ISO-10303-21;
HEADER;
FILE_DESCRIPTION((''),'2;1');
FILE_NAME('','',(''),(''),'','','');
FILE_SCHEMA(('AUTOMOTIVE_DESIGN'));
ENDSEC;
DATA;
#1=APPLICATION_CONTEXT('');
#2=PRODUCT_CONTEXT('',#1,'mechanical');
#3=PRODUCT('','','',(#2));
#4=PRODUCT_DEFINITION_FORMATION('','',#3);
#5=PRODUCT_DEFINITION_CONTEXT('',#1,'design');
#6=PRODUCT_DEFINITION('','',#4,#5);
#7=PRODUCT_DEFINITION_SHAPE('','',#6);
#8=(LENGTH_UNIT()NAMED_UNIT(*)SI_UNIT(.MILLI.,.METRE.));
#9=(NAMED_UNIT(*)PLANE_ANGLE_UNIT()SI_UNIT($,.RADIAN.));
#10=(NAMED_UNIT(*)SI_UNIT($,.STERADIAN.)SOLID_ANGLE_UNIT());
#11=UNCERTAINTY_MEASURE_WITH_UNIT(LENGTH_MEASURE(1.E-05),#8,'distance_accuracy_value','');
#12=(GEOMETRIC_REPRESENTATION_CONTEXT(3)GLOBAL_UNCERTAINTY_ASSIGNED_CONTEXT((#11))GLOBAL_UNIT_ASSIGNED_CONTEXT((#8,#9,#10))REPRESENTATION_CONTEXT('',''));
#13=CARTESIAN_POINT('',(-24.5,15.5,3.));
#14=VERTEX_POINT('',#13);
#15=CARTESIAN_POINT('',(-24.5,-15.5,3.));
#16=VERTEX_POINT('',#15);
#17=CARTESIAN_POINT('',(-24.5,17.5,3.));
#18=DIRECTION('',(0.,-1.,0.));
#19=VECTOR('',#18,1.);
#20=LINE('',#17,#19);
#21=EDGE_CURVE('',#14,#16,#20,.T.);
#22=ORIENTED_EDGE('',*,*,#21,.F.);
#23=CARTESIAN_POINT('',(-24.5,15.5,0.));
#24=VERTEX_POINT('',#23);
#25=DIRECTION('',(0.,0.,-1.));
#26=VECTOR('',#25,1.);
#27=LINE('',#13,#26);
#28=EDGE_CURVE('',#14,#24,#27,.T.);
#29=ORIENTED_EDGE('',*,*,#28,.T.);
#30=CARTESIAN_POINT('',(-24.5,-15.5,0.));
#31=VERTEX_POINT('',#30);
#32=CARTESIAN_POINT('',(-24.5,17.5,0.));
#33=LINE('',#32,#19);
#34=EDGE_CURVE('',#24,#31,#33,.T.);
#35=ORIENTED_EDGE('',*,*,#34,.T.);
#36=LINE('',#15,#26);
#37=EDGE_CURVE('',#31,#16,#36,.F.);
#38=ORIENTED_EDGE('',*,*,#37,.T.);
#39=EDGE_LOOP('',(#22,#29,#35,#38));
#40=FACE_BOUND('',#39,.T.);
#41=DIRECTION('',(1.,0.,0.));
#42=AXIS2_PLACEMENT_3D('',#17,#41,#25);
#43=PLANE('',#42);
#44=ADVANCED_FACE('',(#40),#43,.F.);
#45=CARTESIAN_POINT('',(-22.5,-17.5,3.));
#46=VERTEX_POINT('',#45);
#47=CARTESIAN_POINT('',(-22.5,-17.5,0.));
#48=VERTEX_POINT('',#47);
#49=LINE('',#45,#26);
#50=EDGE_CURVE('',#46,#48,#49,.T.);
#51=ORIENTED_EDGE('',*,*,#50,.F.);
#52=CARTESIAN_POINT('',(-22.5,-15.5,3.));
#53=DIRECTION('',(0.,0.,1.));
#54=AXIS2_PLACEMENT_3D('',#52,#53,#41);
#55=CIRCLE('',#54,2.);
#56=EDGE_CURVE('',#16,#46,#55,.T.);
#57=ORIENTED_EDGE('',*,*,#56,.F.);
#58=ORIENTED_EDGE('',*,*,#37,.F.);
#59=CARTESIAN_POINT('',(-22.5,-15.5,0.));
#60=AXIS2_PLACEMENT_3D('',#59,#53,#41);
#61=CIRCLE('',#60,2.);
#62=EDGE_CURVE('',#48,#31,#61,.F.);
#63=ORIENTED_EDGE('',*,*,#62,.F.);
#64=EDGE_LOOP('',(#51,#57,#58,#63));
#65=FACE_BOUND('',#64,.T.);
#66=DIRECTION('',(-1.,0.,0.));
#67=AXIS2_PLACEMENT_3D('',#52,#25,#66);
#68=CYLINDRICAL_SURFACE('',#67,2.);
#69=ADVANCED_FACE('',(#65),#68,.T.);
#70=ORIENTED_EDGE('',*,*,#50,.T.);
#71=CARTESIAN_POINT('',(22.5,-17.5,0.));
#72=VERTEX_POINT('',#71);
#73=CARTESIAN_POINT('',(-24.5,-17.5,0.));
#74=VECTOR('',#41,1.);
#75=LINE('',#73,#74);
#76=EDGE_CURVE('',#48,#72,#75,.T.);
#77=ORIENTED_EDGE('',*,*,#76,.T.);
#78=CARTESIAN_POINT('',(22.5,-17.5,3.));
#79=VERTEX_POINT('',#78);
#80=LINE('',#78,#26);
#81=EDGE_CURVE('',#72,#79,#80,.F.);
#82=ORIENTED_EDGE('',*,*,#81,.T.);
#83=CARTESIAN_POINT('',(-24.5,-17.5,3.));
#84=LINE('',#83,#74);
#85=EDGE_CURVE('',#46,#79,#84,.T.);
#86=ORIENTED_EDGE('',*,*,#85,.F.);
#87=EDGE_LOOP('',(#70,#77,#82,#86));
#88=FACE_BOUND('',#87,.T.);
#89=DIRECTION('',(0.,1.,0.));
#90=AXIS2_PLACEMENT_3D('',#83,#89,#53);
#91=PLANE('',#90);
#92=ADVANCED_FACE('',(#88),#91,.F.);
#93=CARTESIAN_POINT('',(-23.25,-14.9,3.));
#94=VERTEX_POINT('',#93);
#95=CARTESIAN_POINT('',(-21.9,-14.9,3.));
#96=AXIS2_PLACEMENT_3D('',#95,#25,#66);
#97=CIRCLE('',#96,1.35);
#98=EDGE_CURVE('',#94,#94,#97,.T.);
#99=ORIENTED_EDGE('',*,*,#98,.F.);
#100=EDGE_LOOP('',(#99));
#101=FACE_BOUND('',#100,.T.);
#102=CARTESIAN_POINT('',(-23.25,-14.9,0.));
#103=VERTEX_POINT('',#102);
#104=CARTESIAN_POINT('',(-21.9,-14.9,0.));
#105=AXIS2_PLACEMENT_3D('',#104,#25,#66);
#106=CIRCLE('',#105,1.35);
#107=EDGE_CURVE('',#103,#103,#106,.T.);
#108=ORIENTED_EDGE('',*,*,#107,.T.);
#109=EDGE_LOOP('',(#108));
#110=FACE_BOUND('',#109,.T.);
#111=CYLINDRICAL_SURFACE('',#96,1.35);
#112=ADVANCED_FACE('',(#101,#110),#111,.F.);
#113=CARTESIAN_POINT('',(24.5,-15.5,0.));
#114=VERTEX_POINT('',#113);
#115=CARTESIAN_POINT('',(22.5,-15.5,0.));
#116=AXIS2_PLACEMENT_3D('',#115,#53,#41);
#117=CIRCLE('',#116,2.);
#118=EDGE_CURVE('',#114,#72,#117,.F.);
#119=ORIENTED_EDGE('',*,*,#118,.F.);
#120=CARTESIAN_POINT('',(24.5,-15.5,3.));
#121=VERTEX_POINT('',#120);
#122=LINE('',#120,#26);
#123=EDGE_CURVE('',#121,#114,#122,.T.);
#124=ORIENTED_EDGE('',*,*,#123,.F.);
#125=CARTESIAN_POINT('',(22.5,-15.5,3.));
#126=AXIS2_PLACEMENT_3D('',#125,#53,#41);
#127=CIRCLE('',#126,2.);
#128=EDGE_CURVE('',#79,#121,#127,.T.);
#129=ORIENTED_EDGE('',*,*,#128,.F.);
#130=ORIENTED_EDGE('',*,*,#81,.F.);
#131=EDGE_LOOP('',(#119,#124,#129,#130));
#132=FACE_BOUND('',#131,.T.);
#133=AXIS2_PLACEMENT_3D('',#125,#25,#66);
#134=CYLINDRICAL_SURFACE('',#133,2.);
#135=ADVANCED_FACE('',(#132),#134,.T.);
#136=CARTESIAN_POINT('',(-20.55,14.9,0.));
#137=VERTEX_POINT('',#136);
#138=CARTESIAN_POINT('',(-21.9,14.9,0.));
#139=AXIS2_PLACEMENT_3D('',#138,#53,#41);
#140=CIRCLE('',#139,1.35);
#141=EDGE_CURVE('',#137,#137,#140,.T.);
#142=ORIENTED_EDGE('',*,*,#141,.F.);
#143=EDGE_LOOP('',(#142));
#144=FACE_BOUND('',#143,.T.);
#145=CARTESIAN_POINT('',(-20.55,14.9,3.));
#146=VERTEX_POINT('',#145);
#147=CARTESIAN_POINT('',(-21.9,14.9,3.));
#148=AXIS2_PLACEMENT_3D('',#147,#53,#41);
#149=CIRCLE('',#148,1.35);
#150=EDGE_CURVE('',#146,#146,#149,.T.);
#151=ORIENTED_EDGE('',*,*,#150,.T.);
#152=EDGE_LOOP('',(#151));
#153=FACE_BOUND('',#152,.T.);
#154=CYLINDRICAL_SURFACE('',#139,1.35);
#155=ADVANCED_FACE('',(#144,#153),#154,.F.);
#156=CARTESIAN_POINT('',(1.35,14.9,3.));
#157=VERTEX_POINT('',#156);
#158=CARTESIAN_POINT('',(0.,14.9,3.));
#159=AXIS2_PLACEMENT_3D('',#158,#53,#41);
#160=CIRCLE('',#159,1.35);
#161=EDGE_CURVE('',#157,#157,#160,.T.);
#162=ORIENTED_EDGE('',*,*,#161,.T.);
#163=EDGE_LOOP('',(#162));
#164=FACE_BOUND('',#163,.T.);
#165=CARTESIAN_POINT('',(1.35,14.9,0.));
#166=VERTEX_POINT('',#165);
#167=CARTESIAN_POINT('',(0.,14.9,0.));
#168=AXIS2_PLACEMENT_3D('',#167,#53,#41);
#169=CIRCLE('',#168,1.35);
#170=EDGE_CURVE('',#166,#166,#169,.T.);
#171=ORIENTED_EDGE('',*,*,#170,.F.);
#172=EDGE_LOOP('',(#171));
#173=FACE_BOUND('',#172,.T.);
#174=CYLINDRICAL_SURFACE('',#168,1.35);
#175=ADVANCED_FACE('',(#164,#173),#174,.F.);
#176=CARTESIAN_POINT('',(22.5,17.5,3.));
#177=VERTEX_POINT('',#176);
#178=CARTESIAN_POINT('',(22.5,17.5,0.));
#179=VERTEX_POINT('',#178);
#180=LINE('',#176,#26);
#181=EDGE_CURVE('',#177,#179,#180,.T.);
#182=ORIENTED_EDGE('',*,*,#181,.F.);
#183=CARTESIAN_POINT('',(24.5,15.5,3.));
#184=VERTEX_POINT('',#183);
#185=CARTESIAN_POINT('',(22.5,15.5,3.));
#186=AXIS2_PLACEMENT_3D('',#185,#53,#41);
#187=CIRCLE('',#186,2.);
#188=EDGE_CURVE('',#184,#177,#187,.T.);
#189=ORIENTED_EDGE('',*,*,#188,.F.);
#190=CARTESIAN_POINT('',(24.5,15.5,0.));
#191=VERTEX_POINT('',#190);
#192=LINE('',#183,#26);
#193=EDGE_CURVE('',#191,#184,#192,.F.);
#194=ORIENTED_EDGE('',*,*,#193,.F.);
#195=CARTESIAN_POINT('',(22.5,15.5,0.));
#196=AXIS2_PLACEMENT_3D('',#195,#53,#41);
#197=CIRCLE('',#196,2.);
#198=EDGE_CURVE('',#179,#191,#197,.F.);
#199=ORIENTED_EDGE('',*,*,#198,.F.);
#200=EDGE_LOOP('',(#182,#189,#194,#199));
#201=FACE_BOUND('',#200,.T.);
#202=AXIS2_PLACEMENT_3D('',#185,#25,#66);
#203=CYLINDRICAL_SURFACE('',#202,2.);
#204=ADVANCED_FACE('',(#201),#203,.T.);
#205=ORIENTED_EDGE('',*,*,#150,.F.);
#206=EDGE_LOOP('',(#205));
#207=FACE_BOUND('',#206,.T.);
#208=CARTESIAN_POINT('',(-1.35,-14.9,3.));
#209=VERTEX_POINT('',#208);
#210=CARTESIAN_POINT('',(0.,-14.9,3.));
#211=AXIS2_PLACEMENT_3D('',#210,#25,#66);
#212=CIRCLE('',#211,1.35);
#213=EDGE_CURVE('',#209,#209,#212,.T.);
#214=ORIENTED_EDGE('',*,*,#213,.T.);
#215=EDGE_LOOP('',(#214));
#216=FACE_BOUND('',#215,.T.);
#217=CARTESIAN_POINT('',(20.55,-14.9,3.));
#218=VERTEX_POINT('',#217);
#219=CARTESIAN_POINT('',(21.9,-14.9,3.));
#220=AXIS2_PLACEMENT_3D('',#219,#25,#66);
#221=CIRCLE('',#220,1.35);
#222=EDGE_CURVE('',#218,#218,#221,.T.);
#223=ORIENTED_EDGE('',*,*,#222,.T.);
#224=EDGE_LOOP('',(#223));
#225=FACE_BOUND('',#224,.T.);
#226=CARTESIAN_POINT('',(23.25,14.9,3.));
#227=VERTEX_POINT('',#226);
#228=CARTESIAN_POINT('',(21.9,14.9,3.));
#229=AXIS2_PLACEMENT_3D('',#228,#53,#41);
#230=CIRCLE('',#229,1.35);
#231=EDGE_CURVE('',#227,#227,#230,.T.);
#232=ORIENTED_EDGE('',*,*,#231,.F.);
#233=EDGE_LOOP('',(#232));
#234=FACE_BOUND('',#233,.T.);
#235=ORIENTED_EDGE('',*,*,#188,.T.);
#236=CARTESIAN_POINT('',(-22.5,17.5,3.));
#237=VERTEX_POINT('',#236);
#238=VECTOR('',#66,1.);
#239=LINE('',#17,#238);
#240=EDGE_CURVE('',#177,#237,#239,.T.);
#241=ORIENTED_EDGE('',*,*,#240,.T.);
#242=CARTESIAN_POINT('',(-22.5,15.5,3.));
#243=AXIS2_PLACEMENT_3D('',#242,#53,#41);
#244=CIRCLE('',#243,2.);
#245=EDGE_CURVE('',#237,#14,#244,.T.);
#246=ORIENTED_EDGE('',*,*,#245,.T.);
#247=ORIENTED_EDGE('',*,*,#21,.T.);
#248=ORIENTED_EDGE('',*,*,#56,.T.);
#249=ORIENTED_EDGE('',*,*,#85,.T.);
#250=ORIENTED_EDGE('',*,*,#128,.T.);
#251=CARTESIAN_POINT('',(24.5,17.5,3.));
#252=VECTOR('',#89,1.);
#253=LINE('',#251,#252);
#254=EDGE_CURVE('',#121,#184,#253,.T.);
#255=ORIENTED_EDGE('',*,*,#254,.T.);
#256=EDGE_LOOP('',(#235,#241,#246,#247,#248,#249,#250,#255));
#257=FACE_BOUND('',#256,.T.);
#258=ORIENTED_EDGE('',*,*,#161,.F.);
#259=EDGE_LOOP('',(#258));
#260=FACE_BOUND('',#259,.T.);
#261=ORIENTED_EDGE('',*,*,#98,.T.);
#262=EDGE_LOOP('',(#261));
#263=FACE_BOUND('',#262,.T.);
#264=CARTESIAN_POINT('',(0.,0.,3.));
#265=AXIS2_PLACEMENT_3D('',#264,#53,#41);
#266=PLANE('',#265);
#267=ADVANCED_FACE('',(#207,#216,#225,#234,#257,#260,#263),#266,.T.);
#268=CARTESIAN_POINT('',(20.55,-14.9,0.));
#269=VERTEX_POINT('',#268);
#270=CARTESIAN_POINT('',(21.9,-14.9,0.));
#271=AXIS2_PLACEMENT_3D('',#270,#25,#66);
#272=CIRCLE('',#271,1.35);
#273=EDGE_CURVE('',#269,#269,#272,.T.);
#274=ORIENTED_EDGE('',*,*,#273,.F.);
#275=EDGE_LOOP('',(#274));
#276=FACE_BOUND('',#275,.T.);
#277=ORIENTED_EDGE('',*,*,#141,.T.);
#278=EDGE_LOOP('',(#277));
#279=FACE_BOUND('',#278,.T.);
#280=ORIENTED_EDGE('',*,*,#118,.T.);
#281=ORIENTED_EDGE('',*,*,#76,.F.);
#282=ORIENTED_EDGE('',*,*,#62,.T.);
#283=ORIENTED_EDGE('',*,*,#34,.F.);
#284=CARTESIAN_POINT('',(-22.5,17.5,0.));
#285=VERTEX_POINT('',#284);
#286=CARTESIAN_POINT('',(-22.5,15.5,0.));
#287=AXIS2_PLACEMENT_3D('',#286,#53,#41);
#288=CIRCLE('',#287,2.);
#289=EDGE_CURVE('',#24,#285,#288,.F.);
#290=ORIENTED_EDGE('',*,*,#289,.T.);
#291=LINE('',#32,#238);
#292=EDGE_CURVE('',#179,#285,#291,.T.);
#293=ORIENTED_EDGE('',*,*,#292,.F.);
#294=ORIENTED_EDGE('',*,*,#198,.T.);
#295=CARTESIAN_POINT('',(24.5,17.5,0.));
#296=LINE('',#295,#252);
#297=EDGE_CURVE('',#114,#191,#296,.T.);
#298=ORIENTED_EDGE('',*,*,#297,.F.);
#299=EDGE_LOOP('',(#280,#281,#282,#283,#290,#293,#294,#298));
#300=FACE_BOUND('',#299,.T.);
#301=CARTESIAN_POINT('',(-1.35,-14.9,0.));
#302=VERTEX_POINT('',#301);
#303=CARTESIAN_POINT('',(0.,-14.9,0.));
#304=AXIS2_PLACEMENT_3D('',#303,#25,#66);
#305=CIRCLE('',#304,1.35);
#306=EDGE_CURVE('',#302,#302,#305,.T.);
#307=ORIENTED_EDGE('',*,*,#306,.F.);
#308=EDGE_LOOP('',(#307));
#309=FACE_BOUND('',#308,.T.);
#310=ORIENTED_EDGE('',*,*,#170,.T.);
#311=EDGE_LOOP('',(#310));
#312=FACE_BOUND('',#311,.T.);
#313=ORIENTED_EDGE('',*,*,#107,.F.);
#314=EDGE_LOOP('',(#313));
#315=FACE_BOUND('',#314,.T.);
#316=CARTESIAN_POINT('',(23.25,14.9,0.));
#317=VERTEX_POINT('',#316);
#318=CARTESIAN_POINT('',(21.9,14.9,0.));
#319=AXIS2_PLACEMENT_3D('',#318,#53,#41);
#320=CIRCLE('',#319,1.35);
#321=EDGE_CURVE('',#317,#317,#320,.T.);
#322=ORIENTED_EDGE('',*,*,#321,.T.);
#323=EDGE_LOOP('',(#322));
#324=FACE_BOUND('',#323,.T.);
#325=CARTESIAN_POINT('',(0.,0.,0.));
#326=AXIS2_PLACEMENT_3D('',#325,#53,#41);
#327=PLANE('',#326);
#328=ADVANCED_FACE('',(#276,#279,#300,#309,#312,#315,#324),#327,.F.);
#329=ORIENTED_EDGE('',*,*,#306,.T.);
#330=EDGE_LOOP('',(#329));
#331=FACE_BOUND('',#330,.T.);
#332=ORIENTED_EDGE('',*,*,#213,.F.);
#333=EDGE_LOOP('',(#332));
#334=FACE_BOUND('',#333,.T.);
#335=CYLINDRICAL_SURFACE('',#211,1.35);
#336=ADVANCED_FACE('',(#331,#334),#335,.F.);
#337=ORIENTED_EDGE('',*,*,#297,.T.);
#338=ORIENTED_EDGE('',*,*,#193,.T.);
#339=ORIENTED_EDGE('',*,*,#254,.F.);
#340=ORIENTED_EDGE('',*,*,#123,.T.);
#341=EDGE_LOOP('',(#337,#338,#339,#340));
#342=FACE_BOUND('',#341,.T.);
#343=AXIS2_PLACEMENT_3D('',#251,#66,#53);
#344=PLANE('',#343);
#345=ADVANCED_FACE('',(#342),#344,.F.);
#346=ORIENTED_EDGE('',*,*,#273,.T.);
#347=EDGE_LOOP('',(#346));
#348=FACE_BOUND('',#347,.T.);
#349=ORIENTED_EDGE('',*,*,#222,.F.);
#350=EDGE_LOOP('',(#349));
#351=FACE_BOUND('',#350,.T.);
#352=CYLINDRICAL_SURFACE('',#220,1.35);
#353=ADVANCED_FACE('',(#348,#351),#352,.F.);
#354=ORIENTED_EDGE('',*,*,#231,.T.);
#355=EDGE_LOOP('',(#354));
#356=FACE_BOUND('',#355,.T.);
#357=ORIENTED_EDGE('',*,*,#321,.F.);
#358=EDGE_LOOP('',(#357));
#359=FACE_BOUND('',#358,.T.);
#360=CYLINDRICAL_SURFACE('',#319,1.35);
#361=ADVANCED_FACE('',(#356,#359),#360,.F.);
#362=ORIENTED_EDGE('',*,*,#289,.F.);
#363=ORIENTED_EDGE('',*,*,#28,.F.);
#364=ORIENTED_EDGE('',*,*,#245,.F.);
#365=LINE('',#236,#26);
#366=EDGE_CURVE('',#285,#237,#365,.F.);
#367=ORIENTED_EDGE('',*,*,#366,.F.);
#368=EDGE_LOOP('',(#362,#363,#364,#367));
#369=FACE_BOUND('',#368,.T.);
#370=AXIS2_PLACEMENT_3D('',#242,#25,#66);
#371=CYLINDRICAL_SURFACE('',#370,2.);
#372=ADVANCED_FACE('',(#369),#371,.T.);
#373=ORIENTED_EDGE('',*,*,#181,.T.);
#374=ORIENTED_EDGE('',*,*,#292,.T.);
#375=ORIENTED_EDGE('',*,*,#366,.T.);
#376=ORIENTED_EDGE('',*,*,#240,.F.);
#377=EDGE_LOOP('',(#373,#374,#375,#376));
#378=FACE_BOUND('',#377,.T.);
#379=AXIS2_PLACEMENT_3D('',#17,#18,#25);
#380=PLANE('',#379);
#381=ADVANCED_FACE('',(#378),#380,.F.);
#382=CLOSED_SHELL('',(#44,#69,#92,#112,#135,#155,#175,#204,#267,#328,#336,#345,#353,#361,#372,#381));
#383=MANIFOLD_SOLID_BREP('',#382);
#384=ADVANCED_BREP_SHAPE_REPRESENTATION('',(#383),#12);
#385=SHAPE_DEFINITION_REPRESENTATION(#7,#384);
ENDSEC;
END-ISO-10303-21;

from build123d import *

# Parameters (mm, degrees)
ESBO_O1_W                = 49
ESBO_O1_H                = 35
RESSALTO_EXTRUS_O1_DEPTH = 3
ESBO_O2_R                = 1.35
CORTE_EXTRUS_O1_DEPTH    = 31.257230541
ESBO_O3_W                = 49
ESBO_O3_H                = 3
RESSALTO_EXTRUS_O3_DEPTH = 8
ESBO_O4_R                = 1.35
CORTE_EXTRUS_O2_DEPTH    = 44.465503563
FILETE1_R                = 2
FILETE2_R                = 2
CORTE_EXTRUS_O3_DEPTH    = 10
FILETE3_R                = 2
ESBO_O6_R                = 1.35
CORTE_EXTRUS_O4_DEPTH    = 31.257230541


with BuildPart() as part:
    # Esboço1 → Ressalto-extrusão1 (new body)
    with BuildSketch(Plane.XY):
        Rectangle(ESBO_O1_W, ESBO_O1_H)
    extrude(amount=RESSALTO_EXTRUS_O1_DEPTH)

    # Esboço2 → Corte-extrusão1 (cut, through all)
    with BuildSketch(Plane(origin=(0, 0, 0), x_dir=(-1, 0, 0), z_dir=(0, 0, -1))):
        with Locations((-21.9, -14.9)):
            Circle(ESBO_O2_R)
        with Locations((0, -14.9)):
            Circle(ESBO_O2_R)
        with Locations((21.9, -14.9)):
            Circle(ESBO_O2_R)
    extrude(amount=-CORTE_EXTRUS_O1_DEPTH, mode=Mode.SUBTRACT)

    # Esboço3 → Ressalto-extrusão3 (add)
    with BuildSketch(Plane(origin=(0, 0, 0), x_dir=(-1, 0, 0), z_dir=(0, 0, -1))):
        with Locations((0, 16)):
            Rectangle(ESBO_O3_W, ESBO_O3_H)
    extrude(amount=RESSALTO_EXTRUS_O3_DEPTH)

    # Esboço4 → Corte-extrusão2 (cut, through all)
    with BuildSketch(Plane(origin=(0, 17.5, 0), x_dir=(1, 0, 0), z_dir=(0, 1, 0))):
        with Locations(Location((-21.9, 5.4, 0), (0, 0, 270))):
            Circle(ESBO_O4_R)
        with Locations(Location((0, 5.4, 0), (0, 0, 270))):
            Circle(ESBO_O4_R)
        with Locations(Location((21.9, 5.4, 0), (0, 0, 270))):
            Circle(ESBO_O4_R)
    extrude(amount=-CORTE_EXTRUS_O2_DEPTH, mode=Mode.SUBTRACT)

    # Filete1
    filete1_edges = [part.edges().sort_by_distance(p)[0] for p in [
        (24.5, -17.5, 1.5),
        (-24.5, -17.5, 1.5),
    ]]
    fillet(filete1_edges, radius=FILETE1_R)

    # Filete2
    filete2_edges = [part.edges().sort_by_distance(p)[0] for p in [
        (24.5, 16, -8),
        (-24.5, 16, -8),
    ]]
    fillet(filete2_edges, radius=FILETE2_R)

    # Esboço5 → Corte-extrusão3 (cut)
    with BuildSketch(Plane(origin=(0, 14.5, 0), x_dir=(-1, 0, 0), z_dir=(0, -1, 0))):
        Polygon((24.5, 0), (24.5, 8), (22.5, 8), (-24.5, 8), (-24.5, 0), align=None)
    extrude(amount=-CORTE_EXTRUS_O3_DEPTH, mode=Mode.SUBTRACT)

    # Filete3
    filete3_edges = [part.edges().sort_by_distance(p)[0] for p in [
        (-24.5, 17.5, 1.5),
        (24.5, 17.5, 1.5),
    ]]
    fillet(filete3_edges, radius=FILETE3_R)

    # Esboço6 → Corte-extrusão4 (cut, through all)
    with BuildSketch(Plane.XY.offset(3)):
        with Locations((21.9, 14.9)):
            Circle(ESBO_O6_R)
        with Locations((0, 14.9)):
            Circle(ESBO_O6_R)
        with Locations((-21.9, 14.9)):
            Circle(ESBO_O6_R)
    extrude(amount=-CORTE_EXTRUS_O4_DEPTH, mode=Mode.SUBTRACT)


solid = part.part
